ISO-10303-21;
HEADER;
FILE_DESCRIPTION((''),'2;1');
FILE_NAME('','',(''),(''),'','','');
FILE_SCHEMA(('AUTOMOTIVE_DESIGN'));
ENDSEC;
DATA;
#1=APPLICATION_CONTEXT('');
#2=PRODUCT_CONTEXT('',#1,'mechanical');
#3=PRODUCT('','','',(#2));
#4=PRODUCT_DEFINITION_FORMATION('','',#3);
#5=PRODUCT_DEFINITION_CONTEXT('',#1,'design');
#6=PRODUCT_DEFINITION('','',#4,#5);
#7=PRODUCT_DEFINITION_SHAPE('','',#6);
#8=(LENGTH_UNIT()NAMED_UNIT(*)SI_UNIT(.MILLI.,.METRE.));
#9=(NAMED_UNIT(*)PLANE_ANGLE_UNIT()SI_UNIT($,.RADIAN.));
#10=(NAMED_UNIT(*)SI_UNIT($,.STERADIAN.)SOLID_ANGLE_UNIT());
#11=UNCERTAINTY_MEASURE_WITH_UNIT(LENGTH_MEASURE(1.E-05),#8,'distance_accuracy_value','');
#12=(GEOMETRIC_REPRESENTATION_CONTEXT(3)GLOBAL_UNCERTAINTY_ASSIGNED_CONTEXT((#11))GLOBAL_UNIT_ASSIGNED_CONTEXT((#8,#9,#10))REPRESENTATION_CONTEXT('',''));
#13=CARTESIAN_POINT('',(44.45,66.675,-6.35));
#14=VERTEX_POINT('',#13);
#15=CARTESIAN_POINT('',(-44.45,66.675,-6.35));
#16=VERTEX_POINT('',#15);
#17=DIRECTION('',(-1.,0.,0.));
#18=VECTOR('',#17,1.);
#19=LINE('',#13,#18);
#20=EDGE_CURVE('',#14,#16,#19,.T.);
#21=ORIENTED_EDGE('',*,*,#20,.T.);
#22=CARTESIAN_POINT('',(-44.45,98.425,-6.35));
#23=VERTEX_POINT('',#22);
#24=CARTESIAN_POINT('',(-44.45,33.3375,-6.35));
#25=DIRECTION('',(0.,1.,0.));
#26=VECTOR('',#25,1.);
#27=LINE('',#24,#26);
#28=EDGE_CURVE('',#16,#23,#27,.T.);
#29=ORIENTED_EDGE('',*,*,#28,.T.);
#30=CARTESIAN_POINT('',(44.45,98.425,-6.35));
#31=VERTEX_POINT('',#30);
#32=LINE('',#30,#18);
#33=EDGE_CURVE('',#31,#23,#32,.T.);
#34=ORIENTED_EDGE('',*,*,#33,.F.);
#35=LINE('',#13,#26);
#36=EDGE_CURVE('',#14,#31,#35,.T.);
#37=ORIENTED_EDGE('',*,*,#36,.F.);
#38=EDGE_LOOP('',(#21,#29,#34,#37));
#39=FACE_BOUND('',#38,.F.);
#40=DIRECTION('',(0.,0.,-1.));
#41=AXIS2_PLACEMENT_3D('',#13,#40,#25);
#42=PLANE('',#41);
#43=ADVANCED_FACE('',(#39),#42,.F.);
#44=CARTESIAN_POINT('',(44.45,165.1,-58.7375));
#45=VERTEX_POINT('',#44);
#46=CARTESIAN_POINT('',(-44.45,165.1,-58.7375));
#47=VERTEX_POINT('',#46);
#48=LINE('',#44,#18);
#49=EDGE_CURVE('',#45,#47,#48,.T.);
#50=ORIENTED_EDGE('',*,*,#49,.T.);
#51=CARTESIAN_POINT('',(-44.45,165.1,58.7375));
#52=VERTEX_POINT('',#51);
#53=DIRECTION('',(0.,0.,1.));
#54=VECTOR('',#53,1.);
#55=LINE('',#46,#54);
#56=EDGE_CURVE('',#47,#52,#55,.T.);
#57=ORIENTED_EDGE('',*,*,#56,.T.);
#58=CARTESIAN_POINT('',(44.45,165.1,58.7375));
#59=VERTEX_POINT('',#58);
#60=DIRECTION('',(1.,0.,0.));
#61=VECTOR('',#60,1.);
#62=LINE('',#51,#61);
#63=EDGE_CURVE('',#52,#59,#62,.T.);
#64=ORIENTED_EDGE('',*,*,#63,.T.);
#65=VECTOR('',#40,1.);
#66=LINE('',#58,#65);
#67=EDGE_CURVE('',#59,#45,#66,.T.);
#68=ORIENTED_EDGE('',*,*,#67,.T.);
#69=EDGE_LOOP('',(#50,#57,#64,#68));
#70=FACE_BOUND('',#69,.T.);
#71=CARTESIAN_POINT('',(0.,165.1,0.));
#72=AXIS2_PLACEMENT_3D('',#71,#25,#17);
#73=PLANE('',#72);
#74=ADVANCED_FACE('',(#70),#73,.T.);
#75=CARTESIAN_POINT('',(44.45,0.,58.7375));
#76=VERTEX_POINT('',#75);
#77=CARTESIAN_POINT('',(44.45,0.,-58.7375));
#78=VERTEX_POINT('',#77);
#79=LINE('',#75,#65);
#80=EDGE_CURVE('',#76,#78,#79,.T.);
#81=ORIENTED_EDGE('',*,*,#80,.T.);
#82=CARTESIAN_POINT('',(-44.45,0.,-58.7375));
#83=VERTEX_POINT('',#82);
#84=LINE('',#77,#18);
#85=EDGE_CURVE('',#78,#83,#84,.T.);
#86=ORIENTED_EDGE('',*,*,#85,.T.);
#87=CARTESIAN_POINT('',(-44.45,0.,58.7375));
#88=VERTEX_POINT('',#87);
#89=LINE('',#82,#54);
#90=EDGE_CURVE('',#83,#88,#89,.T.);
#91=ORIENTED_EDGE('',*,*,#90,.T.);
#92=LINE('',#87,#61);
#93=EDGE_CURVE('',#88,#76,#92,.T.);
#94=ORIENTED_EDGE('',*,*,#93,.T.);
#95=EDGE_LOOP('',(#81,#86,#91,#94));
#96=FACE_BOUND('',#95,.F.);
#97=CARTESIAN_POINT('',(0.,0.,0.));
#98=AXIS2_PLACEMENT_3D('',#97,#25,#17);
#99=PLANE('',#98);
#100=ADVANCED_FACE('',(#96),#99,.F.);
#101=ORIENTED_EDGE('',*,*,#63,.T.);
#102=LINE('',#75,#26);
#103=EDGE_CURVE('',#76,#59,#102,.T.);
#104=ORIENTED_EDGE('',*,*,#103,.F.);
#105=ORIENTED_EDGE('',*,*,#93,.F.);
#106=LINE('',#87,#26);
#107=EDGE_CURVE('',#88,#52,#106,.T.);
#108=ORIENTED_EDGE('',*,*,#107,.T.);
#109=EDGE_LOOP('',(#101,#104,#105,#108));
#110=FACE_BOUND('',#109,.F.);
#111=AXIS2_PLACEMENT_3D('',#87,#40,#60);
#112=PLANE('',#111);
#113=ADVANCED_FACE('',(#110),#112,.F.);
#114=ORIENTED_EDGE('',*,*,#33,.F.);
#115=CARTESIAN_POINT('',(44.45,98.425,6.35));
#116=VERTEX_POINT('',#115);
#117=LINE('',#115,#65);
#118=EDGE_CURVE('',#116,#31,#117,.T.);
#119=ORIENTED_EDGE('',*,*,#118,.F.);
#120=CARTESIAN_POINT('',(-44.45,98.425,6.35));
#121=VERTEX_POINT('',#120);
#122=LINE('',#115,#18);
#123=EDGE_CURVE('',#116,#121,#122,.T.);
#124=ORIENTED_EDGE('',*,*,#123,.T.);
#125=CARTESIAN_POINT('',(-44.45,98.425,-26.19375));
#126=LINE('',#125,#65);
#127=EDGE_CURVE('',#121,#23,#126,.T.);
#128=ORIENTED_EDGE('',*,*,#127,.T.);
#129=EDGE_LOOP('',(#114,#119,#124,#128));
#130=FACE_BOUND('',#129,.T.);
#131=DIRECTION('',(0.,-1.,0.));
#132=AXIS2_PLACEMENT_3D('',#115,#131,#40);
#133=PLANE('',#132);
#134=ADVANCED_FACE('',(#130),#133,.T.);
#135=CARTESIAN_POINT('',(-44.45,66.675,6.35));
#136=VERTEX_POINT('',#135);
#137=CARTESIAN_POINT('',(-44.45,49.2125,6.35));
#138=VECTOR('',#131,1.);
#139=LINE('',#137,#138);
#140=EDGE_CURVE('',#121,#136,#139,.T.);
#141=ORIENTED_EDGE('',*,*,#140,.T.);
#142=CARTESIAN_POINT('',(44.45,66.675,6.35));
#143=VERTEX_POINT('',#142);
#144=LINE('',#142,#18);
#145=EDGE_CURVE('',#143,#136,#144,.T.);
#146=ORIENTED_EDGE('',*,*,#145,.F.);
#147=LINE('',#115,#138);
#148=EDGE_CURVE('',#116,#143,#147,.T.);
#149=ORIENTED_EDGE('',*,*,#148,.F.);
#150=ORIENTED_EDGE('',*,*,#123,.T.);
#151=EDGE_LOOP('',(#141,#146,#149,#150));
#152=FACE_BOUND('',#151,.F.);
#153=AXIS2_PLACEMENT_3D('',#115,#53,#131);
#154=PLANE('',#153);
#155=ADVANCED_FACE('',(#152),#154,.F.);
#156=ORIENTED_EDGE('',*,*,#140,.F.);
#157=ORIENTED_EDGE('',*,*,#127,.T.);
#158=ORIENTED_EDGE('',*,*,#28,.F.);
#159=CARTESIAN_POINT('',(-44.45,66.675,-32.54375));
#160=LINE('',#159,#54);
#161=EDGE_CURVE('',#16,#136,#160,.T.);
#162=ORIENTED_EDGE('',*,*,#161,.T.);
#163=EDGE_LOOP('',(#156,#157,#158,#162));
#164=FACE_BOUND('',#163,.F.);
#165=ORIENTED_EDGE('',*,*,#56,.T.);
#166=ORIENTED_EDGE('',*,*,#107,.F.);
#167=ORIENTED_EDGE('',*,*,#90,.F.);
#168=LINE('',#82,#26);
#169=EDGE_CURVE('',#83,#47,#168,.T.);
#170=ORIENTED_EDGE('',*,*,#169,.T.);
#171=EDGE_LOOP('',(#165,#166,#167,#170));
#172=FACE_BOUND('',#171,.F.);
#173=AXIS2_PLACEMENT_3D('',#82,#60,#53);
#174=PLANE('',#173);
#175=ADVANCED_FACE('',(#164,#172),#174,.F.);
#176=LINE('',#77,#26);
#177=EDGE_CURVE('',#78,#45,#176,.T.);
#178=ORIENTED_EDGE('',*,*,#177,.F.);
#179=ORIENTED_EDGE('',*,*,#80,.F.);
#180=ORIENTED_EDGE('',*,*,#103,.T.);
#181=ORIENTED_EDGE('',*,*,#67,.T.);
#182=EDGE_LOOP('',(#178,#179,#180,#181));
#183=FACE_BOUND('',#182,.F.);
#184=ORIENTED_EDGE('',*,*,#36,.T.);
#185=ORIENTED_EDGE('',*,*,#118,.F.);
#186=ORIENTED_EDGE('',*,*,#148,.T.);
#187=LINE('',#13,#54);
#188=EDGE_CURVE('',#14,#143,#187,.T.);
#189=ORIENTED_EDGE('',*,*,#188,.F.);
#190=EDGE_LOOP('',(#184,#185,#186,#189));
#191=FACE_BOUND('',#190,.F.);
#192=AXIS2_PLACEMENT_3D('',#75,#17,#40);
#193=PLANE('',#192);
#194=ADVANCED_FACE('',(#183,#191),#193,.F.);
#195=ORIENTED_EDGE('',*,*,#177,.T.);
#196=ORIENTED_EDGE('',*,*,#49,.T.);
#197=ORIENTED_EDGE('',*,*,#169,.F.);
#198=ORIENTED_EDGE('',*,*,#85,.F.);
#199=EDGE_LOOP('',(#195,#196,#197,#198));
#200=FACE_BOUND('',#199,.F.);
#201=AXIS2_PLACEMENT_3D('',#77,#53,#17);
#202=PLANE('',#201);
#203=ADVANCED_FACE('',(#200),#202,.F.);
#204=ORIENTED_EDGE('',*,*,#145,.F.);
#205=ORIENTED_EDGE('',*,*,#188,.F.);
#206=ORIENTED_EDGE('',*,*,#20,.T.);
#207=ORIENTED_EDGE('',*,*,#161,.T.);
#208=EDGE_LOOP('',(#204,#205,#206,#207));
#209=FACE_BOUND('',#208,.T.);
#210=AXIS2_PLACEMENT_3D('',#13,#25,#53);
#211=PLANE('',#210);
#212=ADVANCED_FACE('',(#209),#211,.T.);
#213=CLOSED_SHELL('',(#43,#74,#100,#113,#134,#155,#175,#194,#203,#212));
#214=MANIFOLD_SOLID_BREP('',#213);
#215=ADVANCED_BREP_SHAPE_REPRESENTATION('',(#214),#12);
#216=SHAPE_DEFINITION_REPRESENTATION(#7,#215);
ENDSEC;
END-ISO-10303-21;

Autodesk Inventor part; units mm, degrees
ref_plane "YZ Plane" through (0, 0, 0) normal (1, 0, 0) x (0, 1, 0)
ref_plane "XZ Plane" through (0, 0, 0) normal (0, 1, 0) x (-1, 0, 0)
ref_plane "XY Plane" through (0, 0, 0) normal (0, 0, 1) x (1, 0, 0)
sketch "Sketch1" plane through (0, 0, 0) normal (0, 1, 0) x (-1, 0, 0)
  line L0 (-44.45, -58.7375) -> (44.45, -58.7375)
  line L1 (44.45, -58.7375) -> (44.45, 58.7375)
  line L2 (44.45, 58.7375) -> (-44.45, 58.7375)
  line L3 (-44.45, 58.7375) -> (-44.45, -58.7375)
  line L4 (-44.45, -58.7375) -> (44.45, 58.7375) construction
  line L5 (44.45, -58.7375) -> (-44.45, 58.7375) construction
  point P0 (0, 0)
  dimension "d0" = 88.9
  dimension "d1" = 117.475
extrude "Extrusion1" add sketch "Sketch1" along normal blind 165.1
sketch "Sketch2" plane through (44.45, 0, 58.7375) normal (1, 0, 0) x (0, 0, -1)
  line L0 (58.7375, 0) -> (58.7375, 165.1) construction
  line L1 (117.475, 165.1) -> (0, 165.1) construction
  line L2 (65.0875, 66.675) -> (52.3875, 66.675) construction
  line L3 (52.3875, 66.675) -> (52.3875, 98.425) construction
  line L4 (52.3875, 98.425) -> (65.0875, 98.425) construction
  line L5 (65.0875, 98.425) -> (65.0875, 66.675) construction
  line L6 (65.0875, 66.675) -> (52.3875, 98.425) construction
  line L7 (52.3875, 66.675) -> (65.0875, 98.425) construction
  line L8 (52.3875, 98.425) -> (65.0875, 98.425)
  line L9 (65.0875, 66.675) -> (65.0875, 98.425)
  line L10 (65.0875, 66.675) -> (52.3875, 66.675)
  line L11 (52.3875, 98.425) -> (52.3875, 66.675)
  point P0 (58.7375, 82.55)
  dimension "d4" = 12.7
  dimension "d5" = 31.75
extrude "Extrusion2" cut sketch "Sketch2" against normal blind 165.1
properties part number "Magnet"
